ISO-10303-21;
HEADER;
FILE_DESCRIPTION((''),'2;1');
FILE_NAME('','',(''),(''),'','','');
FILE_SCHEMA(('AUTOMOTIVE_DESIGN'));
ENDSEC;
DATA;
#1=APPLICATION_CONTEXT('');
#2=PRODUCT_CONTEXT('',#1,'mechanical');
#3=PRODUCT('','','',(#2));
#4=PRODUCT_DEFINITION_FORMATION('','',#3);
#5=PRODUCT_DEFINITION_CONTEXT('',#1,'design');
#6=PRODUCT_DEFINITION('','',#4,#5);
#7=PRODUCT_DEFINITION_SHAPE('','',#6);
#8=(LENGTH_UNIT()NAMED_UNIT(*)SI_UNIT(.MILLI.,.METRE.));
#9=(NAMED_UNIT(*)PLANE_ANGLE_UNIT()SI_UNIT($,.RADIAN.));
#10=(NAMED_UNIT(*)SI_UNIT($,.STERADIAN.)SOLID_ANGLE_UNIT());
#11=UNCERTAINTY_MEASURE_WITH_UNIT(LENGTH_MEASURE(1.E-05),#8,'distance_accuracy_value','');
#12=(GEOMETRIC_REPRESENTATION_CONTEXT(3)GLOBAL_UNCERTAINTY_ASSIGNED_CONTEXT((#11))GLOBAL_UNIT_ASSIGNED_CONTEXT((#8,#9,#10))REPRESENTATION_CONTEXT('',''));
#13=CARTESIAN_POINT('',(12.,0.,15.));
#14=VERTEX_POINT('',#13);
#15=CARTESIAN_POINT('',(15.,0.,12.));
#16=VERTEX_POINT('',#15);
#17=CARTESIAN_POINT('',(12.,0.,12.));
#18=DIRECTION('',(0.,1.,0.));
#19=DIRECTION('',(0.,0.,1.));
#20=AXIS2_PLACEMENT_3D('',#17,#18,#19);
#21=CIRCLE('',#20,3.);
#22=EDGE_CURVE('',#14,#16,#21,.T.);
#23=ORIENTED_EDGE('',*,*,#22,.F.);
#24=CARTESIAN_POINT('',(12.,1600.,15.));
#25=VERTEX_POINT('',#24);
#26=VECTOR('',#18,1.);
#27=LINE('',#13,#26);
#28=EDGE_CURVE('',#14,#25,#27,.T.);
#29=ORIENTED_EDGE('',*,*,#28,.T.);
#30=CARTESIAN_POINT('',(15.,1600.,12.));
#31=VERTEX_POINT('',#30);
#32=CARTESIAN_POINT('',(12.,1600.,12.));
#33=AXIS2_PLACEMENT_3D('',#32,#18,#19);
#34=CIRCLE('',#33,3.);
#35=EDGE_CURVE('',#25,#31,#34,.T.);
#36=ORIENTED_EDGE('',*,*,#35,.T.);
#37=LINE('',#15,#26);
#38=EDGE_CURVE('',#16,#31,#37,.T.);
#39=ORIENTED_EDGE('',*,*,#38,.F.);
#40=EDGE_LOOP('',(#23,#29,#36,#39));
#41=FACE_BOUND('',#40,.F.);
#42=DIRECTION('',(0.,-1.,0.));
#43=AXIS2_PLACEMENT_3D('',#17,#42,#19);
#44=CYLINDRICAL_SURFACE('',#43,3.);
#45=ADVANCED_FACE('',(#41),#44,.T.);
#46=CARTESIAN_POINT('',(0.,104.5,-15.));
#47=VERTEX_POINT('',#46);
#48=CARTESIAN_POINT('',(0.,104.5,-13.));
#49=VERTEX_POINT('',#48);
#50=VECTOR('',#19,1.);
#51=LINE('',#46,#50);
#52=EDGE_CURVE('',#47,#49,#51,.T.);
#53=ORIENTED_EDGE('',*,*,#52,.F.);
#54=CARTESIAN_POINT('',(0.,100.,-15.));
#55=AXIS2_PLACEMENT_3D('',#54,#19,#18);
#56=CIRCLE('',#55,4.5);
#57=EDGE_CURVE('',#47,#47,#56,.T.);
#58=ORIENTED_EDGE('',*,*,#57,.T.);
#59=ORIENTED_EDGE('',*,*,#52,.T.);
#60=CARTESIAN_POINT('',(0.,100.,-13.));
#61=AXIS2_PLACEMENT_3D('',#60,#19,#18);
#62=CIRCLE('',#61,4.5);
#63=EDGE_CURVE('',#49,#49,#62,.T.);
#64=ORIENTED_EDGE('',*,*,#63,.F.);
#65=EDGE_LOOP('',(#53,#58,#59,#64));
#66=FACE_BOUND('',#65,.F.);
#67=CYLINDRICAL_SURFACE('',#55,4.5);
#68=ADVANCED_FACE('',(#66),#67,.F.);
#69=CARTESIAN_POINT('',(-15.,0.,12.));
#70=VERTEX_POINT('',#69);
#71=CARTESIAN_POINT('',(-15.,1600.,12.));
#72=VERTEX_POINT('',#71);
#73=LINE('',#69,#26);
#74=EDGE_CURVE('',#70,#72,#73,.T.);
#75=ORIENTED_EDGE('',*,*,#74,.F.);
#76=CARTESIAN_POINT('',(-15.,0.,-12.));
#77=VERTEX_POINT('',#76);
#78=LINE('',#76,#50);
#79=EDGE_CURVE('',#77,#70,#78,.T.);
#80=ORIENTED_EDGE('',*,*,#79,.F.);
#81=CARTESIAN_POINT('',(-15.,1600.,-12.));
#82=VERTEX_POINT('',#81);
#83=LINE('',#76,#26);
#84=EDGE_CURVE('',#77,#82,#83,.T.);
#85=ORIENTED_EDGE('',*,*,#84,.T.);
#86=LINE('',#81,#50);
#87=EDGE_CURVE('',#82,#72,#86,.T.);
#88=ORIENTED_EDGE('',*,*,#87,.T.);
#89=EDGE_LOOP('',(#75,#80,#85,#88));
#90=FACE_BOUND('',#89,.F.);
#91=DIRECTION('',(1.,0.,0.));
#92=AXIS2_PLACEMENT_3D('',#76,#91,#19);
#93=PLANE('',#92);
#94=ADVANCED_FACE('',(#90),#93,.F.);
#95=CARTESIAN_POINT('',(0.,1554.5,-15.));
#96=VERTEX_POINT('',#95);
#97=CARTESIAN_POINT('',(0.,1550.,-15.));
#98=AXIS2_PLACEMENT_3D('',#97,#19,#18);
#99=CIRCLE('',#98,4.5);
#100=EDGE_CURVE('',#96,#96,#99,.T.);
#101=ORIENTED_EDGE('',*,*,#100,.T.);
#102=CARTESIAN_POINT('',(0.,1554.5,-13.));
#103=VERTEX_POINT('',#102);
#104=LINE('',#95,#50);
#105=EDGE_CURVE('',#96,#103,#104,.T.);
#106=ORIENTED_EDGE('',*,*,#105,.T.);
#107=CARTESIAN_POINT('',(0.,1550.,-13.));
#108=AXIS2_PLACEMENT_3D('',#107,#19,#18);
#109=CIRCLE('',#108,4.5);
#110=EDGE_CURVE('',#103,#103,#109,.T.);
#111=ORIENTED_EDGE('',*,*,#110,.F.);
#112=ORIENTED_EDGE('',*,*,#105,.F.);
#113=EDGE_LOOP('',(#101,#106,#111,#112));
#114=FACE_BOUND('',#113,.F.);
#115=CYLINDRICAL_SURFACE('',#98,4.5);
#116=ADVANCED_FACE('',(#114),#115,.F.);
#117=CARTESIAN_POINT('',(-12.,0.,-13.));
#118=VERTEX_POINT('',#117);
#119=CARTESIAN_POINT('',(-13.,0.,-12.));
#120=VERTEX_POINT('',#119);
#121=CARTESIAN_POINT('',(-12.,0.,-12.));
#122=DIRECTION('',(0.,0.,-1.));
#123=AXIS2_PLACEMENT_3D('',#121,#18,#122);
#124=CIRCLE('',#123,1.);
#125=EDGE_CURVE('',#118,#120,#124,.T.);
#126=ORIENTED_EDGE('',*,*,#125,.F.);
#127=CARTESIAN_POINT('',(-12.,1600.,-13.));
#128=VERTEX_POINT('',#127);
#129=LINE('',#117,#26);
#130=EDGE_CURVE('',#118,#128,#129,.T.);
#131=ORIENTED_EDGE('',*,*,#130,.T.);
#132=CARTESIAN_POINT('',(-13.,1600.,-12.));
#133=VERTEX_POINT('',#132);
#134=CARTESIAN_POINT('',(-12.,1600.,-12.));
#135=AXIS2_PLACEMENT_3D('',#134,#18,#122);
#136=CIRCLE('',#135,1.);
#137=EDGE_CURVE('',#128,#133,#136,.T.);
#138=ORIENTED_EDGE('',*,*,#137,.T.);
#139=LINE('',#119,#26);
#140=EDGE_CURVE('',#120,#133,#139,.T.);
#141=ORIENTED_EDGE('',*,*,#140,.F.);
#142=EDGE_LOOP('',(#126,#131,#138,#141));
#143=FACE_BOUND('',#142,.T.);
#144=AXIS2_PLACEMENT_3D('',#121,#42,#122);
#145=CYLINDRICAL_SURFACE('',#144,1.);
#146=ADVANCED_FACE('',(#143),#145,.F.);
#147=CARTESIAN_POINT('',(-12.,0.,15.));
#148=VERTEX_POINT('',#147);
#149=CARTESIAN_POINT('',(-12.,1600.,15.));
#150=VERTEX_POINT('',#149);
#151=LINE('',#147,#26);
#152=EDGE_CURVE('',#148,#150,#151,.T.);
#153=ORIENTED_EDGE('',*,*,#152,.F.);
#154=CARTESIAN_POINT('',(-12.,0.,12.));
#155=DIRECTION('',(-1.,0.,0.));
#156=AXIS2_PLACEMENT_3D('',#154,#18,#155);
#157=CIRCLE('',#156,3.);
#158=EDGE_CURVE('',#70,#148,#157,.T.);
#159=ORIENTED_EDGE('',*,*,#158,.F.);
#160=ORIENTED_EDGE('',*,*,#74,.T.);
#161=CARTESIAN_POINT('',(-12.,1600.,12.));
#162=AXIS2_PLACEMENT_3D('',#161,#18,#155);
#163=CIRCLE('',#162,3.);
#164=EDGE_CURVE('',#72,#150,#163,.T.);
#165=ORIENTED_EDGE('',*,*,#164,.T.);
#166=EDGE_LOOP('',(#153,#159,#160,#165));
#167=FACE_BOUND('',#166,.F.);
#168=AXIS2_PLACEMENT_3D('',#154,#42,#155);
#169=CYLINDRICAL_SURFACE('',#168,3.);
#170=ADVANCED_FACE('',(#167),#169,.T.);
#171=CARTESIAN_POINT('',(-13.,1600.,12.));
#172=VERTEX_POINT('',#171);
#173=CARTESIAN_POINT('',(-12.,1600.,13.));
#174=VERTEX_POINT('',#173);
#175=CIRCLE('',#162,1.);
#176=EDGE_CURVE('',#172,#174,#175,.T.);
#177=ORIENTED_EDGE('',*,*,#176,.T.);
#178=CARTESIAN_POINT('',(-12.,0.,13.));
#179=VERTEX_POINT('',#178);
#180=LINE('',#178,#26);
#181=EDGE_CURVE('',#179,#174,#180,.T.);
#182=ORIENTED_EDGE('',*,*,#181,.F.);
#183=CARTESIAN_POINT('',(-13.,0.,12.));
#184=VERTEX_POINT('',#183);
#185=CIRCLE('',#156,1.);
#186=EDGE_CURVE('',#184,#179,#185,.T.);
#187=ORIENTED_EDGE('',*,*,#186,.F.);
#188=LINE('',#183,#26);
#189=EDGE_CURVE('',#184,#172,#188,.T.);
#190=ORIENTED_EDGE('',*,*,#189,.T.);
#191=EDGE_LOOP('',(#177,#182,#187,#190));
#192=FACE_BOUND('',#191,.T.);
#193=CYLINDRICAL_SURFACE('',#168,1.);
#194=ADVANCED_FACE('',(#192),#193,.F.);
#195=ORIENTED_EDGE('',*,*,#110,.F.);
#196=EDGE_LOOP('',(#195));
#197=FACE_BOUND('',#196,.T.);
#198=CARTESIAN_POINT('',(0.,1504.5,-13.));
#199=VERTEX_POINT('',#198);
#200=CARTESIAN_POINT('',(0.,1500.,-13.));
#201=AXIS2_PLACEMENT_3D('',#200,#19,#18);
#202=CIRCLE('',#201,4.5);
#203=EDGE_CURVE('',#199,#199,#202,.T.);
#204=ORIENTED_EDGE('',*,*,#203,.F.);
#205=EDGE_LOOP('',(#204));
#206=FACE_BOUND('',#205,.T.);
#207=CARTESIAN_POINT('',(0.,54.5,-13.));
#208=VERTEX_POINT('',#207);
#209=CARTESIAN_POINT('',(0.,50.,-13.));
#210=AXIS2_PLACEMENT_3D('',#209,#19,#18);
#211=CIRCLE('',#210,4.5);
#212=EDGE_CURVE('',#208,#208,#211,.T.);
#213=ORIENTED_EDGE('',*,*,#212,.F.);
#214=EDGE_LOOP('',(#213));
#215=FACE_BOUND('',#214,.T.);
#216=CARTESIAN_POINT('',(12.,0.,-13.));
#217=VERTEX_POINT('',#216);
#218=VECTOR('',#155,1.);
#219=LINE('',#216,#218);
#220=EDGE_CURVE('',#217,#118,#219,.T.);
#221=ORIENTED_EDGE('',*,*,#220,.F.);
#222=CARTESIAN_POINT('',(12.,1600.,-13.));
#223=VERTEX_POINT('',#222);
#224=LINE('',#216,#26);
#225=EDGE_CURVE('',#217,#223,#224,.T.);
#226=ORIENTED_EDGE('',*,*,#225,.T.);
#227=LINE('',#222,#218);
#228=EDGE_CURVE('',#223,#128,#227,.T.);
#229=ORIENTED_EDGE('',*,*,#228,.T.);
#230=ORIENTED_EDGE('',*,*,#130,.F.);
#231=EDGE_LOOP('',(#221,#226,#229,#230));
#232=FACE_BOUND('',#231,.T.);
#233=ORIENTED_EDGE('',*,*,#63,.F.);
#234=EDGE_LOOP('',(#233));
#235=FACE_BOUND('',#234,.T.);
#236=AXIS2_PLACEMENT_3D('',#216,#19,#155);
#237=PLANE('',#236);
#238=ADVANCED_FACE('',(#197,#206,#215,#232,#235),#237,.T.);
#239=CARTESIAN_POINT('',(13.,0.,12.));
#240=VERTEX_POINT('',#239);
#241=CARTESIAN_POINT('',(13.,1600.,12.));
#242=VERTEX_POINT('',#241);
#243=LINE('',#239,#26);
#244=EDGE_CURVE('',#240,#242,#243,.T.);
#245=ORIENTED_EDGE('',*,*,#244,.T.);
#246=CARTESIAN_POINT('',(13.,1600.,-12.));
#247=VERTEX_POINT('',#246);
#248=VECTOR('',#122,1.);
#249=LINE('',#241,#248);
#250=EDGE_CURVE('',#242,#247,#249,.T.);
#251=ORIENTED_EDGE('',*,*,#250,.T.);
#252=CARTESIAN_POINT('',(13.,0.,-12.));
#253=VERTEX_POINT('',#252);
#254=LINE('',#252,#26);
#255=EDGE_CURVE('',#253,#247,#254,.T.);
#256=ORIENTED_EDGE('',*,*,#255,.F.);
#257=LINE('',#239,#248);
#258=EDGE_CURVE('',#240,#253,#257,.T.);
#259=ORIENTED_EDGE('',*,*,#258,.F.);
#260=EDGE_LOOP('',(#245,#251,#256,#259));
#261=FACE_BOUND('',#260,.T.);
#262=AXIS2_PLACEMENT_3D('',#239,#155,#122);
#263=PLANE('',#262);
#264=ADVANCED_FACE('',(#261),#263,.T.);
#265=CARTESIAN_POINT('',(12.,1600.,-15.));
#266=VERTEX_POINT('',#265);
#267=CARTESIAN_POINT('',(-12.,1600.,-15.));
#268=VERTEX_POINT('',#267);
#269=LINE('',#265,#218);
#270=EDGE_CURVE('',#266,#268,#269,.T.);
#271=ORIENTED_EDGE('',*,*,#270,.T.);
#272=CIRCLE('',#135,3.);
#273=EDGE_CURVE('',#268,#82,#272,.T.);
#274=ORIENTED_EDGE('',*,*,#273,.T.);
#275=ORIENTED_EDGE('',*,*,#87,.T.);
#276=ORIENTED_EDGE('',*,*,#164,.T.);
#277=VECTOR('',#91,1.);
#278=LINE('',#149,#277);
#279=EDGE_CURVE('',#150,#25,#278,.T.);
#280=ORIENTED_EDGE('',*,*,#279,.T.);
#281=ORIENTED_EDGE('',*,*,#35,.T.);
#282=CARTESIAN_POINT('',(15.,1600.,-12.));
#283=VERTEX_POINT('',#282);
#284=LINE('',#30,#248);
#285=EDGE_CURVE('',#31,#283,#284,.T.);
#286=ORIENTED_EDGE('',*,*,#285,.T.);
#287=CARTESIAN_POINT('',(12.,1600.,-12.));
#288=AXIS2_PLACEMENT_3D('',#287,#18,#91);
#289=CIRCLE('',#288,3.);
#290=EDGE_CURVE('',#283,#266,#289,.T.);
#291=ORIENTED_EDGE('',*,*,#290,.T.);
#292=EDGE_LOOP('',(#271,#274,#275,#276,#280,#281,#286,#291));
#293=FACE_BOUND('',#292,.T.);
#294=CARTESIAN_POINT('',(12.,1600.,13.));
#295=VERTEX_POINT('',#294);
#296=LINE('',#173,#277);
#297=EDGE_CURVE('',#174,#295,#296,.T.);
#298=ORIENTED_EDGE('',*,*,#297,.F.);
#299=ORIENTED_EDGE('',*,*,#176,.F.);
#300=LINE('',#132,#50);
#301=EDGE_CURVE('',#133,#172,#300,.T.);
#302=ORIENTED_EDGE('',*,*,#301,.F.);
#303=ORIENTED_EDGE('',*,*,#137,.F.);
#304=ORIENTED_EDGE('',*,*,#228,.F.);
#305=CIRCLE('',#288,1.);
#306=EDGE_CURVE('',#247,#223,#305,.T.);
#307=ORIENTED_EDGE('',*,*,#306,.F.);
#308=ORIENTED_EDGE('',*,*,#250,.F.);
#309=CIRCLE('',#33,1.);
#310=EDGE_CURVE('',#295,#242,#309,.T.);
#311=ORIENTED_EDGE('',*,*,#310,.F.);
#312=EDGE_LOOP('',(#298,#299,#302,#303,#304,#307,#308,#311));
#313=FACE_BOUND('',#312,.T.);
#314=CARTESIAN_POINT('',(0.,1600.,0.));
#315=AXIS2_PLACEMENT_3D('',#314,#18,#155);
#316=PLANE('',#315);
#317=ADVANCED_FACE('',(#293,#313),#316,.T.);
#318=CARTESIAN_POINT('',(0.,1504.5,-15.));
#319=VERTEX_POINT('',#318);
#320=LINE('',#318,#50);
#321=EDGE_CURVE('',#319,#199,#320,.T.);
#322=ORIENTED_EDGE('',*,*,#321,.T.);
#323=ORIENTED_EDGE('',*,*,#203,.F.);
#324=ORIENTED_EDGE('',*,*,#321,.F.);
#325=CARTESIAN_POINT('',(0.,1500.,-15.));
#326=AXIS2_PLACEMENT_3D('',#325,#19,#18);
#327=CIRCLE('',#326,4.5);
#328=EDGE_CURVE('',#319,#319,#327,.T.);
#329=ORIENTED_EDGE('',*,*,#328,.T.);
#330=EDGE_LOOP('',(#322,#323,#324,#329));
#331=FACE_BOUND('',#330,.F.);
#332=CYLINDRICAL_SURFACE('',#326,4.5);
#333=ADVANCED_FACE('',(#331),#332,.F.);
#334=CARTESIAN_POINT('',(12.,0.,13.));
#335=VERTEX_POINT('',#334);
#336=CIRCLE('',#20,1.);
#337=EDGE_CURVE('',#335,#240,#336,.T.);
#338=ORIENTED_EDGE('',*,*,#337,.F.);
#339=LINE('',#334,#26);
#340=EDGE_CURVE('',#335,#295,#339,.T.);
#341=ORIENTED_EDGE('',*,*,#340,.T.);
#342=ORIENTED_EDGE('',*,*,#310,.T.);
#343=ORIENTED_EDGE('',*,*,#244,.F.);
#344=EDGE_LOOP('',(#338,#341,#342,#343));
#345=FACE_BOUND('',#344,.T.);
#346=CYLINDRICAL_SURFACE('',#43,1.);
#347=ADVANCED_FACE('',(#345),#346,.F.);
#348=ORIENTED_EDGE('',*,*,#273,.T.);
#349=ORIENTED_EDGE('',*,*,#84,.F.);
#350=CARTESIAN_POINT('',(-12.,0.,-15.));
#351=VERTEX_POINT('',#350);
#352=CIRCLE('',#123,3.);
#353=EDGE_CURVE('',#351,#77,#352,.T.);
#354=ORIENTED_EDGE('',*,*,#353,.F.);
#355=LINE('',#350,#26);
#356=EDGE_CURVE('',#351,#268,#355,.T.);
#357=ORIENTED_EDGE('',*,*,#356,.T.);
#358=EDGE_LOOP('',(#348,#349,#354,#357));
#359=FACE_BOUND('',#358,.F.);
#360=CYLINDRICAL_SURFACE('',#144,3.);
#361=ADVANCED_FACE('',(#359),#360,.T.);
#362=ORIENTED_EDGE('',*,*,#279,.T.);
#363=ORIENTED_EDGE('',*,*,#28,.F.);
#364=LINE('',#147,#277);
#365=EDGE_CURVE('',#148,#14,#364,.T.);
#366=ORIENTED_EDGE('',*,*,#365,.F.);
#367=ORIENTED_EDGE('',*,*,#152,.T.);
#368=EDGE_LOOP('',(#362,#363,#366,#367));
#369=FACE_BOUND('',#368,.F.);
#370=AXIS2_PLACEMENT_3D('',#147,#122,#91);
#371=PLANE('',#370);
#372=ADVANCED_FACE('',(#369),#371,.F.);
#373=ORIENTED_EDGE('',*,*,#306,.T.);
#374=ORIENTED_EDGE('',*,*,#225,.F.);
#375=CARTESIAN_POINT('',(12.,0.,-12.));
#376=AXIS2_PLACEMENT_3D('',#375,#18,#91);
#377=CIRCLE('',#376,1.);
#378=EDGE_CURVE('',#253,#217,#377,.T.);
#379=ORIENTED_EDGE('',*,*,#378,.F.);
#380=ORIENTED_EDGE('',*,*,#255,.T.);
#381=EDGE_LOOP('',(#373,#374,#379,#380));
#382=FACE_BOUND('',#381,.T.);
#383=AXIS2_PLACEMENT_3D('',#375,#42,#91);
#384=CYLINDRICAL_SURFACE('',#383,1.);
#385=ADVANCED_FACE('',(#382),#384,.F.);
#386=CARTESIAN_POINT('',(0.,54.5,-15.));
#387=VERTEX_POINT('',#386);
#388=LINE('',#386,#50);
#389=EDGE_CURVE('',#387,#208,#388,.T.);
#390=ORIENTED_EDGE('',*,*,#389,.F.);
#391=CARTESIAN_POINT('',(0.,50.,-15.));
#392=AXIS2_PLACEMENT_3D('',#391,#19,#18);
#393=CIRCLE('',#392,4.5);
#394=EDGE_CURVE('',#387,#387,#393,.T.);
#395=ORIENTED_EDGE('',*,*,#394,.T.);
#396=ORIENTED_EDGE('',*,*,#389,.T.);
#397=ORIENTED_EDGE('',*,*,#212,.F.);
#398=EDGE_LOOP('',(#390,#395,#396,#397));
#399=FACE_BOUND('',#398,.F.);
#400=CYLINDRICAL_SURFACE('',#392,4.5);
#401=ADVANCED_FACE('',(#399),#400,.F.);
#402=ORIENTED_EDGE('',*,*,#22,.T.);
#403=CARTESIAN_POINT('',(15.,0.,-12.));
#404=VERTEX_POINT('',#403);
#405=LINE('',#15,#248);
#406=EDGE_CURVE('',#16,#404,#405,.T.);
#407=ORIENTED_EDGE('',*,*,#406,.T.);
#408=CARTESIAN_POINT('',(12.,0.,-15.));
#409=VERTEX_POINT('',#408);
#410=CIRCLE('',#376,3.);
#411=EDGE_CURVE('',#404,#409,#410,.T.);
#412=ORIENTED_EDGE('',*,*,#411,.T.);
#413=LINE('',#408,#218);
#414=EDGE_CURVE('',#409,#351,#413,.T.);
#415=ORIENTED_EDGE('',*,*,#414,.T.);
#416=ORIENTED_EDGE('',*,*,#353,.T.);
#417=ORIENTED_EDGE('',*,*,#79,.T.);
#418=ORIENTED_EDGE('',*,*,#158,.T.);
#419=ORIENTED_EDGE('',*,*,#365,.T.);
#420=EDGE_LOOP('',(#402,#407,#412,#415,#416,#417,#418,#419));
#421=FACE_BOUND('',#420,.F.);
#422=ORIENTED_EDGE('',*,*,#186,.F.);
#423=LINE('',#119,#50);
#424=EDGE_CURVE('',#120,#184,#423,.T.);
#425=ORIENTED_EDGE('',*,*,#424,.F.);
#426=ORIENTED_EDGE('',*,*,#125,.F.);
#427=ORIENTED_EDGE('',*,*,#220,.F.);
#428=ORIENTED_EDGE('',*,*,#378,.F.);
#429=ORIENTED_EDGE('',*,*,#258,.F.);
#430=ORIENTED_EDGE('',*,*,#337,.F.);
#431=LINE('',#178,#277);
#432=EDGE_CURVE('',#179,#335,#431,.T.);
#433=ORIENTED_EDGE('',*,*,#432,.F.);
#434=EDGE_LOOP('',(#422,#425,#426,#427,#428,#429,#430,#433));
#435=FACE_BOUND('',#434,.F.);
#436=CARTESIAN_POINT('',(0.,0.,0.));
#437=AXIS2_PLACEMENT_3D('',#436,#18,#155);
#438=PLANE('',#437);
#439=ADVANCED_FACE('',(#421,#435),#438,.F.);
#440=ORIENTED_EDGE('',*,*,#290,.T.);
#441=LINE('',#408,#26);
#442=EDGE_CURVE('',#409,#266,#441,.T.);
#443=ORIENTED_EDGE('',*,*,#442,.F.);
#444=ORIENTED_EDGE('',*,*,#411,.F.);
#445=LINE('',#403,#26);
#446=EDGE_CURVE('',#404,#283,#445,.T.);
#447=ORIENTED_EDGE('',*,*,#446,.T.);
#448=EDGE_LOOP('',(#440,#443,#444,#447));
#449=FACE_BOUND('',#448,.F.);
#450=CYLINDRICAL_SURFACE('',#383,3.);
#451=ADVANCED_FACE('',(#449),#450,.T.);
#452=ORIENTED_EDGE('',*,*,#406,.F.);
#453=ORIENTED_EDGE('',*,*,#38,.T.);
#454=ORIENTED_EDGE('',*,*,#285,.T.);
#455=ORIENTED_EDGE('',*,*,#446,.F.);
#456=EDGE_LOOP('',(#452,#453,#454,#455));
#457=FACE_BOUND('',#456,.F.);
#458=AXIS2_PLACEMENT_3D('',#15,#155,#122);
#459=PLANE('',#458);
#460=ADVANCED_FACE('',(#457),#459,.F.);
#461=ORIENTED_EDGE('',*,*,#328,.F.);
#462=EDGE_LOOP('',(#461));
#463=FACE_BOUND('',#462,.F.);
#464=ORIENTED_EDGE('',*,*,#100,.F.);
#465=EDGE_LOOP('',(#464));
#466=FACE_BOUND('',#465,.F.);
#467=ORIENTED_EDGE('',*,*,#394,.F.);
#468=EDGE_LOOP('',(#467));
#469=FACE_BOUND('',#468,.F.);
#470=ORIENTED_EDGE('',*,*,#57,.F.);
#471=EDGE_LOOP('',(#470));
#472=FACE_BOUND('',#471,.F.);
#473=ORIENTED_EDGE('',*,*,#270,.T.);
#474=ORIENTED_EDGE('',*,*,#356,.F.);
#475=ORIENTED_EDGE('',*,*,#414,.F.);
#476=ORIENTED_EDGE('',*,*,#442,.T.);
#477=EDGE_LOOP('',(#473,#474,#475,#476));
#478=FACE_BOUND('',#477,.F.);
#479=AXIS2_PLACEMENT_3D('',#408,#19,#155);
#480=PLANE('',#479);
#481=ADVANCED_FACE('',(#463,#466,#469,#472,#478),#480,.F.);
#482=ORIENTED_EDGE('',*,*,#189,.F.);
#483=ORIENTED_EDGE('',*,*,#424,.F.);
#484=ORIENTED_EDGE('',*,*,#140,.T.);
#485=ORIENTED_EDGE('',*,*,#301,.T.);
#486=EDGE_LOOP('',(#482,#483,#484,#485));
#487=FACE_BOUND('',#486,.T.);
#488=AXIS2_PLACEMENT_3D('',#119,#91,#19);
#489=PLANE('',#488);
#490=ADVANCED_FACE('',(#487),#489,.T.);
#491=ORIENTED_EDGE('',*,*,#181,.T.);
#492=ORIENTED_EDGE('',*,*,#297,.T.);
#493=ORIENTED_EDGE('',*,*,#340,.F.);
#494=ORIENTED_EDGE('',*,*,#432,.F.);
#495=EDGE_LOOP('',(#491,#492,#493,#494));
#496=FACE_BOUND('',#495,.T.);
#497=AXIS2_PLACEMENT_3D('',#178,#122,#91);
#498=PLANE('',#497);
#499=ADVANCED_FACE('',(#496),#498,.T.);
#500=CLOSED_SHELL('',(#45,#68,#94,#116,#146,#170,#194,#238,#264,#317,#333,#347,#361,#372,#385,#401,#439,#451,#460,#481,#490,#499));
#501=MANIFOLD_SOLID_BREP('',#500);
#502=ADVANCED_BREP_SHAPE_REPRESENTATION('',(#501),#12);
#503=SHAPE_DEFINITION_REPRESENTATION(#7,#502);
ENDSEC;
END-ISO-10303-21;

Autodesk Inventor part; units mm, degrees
ref_plane "XZ Plane" through (0, 0, 0) normal (0, 1, 0) x (-1, 0, 0)
sketch "Sketch1" plane through (0, 0, 0) normal (0, 1, 0) x (-1, 0, 0)
  line L0 (-12, 14) -> (12, 14) construction
  line L1 (14, 12) -> (14, -12) construction
  line L2 (12, -14) -> (-12, -14) construction
  line L3 (-14, -12) -> (-14, 12) construction
  line L4 (-14, 14) -> (14, -14) construction
  line L5 (14, 14) -> (-14, -14) construction
  arc A0 (14, 12) -> (12, 14) centre (12, 12) ccw construction
  arc A1 (12, -14) -> (14, -12) centre (12, -12) ccw construction
  arc A2 (-14, -12) -> (-12, -14) centre (-12, -12) ccw construction
  arc A3 (-12, 14) -> (-14, 12) centre (-12, 12) ccw construction
  line L6 (-12, -15) -> (12, -15)
  arc A4 (12, -15) -> (15, -12) centre (12, -12) ccw
  line L7 (15, -12) -> (15, 12)
  arc A5 (15, 12) -> (12, 15) centre (12, 12) ccw
  line L8 (12, 15) -> (-12, 15)
  arc A6 (-12, 15) -> (-15, 12) centre (-12, 12) ccw
  line L9 (-15, 12) -> (-15, -12)
  arc A7 (-15, -12) -> (-12, -15) centre (-12, -12) ccw
  line L10 (13, -12) -> (13, 12)
  arc A8 (13, 12) -> (12, 13) centre (12, 12) ccw
  line L11 (12, 13) -> (-12, 13)
  arc A9 (-12, 13) -> (-13, 12) centre (-12, 12) ccw
  line L12 (-13, 12) -> (-13, -12)
  arc A10 (-13, -12) -> (-12, -13) centre (-12, -12) ccw
  line L13 (-12, -13) -> (12, -13)
  arc A11 (12, -13) -> (13, -12) centre (12, -12) ccw
  point P0 (0, 0)
  point P1 (0, 0)
  point P2 (0, 0)
  dimension "d10" = 2
  dimension "depth" = 30
  dimension "width" = 30
  dimension "thickness" = 2
extrude "Extrusion1" add sketch "Sketch1" along normal blind 1600
sketch "Sketch2" plane through (12, 0, -15) normal (0, 0, -1) x (-1, 0, 0)
  line L0 (12, -390) -> (12, 2340) construction
  line L1 (0, 0) -> (24, 0) projected
  line L2 (0, 1600) -> (24, 1600) projected
  point P0 (12, 0)
  point P1 (12, 50)
  point P2 (12, 100)
  point P3 (12, 1550)
  point P4 (12, 1500)
  dimension "d16" = 50
  dimension "d17" = 50
  dimension "d18" = 50
  dimension "d20" = 50
hole "Hole1" at (0, 50, -15) at (0, 100, -15) at (0, 1550, -15) at (0, 1500, -15) direction (0, 0, 1) diameter 9 depth 20.2 tip angle 118
equation "\"d10\" = thickness"
properties part number "Przedluzka L1580" material "Steel"
